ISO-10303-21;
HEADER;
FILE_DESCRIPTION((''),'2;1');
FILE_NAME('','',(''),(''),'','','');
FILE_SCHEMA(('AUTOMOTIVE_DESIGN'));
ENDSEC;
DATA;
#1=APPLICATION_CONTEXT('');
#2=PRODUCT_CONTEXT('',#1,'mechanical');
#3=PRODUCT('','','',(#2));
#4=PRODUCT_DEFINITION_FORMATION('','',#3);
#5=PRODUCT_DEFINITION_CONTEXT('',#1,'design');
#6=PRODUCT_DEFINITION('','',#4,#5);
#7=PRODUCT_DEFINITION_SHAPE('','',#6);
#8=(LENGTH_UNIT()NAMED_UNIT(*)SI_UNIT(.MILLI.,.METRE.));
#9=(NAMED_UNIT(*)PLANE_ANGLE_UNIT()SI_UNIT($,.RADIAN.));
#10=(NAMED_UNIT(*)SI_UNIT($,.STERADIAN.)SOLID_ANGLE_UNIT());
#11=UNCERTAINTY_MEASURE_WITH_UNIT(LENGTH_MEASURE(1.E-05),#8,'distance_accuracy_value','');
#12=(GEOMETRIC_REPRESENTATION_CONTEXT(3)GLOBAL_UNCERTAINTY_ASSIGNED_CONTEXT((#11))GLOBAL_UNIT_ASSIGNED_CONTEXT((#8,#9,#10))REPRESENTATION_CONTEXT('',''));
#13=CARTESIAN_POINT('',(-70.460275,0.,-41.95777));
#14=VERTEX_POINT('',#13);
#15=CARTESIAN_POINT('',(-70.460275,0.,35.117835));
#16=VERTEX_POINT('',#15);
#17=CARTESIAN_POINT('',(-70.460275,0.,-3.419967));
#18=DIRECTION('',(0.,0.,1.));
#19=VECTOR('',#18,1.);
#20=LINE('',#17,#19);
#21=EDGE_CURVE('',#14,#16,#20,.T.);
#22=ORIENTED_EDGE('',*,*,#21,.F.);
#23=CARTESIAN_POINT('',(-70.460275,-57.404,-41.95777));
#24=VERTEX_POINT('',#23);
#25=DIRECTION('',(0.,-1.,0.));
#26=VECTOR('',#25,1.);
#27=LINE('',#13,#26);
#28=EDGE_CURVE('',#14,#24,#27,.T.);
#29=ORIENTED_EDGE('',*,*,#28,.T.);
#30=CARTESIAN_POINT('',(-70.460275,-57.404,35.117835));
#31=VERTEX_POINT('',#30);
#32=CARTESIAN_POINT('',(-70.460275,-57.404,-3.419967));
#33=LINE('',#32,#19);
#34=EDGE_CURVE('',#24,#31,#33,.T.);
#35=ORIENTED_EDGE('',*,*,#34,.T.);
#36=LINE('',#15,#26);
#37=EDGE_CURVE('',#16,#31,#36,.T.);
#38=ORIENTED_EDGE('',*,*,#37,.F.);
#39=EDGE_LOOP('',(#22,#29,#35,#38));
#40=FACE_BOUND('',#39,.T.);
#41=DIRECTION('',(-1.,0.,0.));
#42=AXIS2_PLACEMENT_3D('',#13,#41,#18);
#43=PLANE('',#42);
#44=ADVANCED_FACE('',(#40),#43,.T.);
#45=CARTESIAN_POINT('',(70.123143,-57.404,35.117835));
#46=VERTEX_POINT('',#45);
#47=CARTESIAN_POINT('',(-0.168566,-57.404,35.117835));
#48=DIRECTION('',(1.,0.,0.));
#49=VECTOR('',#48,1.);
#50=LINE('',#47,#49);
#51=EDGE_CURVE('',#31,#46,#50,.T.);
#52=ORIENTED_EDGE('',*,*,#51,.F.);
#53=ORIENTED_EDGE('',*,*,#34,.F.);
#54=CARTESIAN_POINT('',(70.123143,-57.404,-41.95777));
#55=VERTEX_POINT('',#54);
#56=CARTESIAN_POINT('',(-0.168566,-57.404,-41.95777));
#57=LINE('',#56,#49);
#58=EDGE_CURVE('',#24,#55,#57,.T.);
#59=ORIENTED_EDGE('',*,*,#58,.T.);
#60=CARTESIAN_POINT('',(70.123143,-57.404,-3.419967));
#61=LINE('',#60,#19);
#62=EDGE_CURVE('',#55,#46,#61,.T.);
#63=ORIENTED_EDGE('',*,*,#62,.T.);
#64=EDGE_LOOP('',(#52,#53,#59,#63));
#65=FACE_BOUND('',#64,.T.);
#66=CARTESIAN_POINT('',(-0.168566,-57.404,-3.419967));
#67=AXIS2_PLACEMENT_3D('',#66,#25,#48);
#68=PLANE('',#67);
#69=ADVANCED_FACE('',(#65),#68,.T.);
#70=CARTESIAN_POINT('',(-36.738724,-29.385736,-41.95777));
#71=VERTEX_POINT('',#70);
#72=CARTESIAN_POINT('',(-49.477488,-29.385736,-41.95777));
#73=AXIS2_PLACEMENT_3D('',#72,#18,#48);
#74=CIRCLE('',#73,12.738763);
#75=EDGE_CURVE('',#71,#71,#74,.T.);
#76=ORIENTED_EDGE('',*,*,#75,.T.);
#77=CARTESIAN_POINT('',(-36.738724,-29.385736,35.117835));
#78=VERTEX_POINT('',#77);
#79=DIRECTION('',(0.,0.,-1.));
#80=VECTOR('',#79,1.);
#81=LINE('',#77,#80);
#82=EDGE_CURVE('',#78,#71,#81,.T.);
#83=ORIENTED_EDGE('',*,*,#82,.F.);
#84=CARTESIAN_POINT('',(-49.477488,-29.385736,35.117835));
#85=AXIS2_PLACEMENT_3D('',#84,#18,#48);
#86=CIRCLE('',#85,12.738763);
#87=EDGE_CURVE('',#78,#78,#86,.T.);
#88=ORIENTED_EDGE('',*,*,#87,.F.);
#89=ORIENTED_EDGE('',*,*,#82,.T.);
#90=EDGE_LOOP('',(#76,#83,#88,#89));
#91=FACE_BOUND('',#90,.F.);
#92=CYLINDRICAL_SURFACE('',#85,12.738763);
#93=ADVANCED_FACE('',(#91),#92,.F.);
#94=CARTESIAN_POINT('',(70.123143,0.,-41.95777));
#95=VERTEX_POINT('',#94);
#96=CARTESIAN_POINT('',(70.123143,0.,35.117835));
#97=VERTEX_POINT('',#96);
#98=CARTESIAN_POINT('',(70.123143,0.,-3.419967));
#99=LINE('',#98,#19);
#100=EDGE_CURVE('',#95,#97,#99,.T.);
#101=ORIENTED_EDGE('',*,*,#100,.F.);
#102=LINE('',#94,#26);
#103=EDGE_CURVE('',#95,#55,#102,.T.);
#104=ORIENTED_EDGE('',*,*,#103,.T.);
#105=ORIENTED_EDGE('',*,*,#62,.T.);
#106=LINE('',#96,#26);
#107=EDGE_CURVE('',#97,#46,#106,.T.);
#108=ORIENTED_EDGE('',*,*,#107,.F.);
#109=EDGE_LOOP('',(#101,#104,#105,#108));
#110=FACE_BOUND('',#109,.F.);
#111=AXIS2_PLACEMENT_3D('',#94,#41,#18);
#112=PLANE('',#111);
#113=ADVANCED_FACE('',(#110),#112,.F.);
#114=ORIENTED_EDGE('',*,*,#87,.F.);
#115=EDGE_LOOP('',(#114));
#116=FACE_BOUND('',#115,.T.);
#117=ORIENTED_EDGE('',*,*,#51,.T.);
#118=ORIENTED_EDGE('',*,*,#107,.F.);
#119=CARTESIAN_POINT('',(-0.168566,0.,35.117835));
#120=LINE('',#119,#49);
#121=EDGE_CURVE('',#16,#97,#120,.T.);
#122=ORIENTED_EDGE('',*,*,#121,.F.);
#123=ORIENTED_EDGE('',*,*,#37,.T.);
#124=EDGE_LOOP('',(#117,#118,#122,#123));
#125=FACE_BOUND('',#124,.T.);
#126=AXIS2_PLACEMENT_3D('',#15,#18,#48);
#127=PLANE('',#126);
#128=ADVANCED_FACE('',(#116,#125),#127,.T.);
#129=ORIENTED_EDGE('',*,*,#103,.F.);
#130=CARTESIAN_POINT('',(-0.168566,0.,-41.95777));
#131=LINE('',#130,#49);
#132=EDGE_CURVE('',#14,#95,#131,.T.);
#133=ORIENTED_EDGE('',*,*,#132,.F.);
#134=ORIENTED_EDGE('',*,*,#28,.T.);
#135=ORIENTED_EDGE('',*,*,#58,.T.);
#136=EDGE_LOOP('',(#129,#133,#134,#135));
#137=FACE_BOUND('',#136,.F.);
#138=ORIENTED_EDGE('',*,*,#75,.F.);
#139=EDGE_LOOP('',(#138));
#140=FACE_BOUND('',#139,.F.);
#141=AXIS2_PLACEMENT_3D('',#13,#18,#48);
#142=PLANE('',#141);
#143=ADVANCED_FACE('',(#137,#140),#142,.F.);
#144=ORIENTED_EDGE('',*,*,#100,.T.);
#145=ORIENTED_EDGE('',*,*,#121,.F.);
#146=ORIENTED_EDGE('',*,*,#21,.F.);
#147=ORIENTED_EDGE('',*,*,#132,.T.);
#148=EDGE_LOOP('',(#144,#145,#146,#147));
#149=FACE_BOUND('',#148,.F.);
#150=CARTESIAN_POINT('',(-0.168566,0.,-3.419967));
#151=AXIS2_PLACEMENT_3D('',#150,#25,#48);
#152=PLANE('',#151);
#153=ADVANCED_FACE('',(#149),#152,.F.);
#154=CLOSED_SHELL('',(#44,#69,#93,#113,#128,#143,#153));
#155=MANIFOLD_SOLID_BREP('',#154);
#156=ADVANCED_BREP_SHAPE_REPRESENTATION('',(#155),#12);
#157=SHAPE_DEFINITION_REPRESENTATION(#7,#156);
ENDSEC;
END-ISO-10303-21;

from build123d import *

# Parameters (mm, degrees)
F0_W     = 140.5834183097
F0_H     = 77.0756043494
F1_DEPTH = 57.404
F2_R     = 12.7387633341
F3_DEPTH = 94.488


with BuildPart() as f1:
    # F0 (on Front) → F1 (new body)
    with BuildSketch(Plane.XZ):
        with Locations((-0.1685656607, -3.4199673682)):
            Rectangle(F0_W, F0_H)
    extrude(amount=F1_DEPTH)

    # F2 (on face) → F3 (cut)
    with BuildSketch(Plane.XY.offset(35.1178348064)):
        with Locations((-49.4774878025, -29.3857362121)):
            Circle(F2_R)
    extrude(amount=-F3_DEPTH, mode=Mode.SUBTRACT)


solid = f1.part
